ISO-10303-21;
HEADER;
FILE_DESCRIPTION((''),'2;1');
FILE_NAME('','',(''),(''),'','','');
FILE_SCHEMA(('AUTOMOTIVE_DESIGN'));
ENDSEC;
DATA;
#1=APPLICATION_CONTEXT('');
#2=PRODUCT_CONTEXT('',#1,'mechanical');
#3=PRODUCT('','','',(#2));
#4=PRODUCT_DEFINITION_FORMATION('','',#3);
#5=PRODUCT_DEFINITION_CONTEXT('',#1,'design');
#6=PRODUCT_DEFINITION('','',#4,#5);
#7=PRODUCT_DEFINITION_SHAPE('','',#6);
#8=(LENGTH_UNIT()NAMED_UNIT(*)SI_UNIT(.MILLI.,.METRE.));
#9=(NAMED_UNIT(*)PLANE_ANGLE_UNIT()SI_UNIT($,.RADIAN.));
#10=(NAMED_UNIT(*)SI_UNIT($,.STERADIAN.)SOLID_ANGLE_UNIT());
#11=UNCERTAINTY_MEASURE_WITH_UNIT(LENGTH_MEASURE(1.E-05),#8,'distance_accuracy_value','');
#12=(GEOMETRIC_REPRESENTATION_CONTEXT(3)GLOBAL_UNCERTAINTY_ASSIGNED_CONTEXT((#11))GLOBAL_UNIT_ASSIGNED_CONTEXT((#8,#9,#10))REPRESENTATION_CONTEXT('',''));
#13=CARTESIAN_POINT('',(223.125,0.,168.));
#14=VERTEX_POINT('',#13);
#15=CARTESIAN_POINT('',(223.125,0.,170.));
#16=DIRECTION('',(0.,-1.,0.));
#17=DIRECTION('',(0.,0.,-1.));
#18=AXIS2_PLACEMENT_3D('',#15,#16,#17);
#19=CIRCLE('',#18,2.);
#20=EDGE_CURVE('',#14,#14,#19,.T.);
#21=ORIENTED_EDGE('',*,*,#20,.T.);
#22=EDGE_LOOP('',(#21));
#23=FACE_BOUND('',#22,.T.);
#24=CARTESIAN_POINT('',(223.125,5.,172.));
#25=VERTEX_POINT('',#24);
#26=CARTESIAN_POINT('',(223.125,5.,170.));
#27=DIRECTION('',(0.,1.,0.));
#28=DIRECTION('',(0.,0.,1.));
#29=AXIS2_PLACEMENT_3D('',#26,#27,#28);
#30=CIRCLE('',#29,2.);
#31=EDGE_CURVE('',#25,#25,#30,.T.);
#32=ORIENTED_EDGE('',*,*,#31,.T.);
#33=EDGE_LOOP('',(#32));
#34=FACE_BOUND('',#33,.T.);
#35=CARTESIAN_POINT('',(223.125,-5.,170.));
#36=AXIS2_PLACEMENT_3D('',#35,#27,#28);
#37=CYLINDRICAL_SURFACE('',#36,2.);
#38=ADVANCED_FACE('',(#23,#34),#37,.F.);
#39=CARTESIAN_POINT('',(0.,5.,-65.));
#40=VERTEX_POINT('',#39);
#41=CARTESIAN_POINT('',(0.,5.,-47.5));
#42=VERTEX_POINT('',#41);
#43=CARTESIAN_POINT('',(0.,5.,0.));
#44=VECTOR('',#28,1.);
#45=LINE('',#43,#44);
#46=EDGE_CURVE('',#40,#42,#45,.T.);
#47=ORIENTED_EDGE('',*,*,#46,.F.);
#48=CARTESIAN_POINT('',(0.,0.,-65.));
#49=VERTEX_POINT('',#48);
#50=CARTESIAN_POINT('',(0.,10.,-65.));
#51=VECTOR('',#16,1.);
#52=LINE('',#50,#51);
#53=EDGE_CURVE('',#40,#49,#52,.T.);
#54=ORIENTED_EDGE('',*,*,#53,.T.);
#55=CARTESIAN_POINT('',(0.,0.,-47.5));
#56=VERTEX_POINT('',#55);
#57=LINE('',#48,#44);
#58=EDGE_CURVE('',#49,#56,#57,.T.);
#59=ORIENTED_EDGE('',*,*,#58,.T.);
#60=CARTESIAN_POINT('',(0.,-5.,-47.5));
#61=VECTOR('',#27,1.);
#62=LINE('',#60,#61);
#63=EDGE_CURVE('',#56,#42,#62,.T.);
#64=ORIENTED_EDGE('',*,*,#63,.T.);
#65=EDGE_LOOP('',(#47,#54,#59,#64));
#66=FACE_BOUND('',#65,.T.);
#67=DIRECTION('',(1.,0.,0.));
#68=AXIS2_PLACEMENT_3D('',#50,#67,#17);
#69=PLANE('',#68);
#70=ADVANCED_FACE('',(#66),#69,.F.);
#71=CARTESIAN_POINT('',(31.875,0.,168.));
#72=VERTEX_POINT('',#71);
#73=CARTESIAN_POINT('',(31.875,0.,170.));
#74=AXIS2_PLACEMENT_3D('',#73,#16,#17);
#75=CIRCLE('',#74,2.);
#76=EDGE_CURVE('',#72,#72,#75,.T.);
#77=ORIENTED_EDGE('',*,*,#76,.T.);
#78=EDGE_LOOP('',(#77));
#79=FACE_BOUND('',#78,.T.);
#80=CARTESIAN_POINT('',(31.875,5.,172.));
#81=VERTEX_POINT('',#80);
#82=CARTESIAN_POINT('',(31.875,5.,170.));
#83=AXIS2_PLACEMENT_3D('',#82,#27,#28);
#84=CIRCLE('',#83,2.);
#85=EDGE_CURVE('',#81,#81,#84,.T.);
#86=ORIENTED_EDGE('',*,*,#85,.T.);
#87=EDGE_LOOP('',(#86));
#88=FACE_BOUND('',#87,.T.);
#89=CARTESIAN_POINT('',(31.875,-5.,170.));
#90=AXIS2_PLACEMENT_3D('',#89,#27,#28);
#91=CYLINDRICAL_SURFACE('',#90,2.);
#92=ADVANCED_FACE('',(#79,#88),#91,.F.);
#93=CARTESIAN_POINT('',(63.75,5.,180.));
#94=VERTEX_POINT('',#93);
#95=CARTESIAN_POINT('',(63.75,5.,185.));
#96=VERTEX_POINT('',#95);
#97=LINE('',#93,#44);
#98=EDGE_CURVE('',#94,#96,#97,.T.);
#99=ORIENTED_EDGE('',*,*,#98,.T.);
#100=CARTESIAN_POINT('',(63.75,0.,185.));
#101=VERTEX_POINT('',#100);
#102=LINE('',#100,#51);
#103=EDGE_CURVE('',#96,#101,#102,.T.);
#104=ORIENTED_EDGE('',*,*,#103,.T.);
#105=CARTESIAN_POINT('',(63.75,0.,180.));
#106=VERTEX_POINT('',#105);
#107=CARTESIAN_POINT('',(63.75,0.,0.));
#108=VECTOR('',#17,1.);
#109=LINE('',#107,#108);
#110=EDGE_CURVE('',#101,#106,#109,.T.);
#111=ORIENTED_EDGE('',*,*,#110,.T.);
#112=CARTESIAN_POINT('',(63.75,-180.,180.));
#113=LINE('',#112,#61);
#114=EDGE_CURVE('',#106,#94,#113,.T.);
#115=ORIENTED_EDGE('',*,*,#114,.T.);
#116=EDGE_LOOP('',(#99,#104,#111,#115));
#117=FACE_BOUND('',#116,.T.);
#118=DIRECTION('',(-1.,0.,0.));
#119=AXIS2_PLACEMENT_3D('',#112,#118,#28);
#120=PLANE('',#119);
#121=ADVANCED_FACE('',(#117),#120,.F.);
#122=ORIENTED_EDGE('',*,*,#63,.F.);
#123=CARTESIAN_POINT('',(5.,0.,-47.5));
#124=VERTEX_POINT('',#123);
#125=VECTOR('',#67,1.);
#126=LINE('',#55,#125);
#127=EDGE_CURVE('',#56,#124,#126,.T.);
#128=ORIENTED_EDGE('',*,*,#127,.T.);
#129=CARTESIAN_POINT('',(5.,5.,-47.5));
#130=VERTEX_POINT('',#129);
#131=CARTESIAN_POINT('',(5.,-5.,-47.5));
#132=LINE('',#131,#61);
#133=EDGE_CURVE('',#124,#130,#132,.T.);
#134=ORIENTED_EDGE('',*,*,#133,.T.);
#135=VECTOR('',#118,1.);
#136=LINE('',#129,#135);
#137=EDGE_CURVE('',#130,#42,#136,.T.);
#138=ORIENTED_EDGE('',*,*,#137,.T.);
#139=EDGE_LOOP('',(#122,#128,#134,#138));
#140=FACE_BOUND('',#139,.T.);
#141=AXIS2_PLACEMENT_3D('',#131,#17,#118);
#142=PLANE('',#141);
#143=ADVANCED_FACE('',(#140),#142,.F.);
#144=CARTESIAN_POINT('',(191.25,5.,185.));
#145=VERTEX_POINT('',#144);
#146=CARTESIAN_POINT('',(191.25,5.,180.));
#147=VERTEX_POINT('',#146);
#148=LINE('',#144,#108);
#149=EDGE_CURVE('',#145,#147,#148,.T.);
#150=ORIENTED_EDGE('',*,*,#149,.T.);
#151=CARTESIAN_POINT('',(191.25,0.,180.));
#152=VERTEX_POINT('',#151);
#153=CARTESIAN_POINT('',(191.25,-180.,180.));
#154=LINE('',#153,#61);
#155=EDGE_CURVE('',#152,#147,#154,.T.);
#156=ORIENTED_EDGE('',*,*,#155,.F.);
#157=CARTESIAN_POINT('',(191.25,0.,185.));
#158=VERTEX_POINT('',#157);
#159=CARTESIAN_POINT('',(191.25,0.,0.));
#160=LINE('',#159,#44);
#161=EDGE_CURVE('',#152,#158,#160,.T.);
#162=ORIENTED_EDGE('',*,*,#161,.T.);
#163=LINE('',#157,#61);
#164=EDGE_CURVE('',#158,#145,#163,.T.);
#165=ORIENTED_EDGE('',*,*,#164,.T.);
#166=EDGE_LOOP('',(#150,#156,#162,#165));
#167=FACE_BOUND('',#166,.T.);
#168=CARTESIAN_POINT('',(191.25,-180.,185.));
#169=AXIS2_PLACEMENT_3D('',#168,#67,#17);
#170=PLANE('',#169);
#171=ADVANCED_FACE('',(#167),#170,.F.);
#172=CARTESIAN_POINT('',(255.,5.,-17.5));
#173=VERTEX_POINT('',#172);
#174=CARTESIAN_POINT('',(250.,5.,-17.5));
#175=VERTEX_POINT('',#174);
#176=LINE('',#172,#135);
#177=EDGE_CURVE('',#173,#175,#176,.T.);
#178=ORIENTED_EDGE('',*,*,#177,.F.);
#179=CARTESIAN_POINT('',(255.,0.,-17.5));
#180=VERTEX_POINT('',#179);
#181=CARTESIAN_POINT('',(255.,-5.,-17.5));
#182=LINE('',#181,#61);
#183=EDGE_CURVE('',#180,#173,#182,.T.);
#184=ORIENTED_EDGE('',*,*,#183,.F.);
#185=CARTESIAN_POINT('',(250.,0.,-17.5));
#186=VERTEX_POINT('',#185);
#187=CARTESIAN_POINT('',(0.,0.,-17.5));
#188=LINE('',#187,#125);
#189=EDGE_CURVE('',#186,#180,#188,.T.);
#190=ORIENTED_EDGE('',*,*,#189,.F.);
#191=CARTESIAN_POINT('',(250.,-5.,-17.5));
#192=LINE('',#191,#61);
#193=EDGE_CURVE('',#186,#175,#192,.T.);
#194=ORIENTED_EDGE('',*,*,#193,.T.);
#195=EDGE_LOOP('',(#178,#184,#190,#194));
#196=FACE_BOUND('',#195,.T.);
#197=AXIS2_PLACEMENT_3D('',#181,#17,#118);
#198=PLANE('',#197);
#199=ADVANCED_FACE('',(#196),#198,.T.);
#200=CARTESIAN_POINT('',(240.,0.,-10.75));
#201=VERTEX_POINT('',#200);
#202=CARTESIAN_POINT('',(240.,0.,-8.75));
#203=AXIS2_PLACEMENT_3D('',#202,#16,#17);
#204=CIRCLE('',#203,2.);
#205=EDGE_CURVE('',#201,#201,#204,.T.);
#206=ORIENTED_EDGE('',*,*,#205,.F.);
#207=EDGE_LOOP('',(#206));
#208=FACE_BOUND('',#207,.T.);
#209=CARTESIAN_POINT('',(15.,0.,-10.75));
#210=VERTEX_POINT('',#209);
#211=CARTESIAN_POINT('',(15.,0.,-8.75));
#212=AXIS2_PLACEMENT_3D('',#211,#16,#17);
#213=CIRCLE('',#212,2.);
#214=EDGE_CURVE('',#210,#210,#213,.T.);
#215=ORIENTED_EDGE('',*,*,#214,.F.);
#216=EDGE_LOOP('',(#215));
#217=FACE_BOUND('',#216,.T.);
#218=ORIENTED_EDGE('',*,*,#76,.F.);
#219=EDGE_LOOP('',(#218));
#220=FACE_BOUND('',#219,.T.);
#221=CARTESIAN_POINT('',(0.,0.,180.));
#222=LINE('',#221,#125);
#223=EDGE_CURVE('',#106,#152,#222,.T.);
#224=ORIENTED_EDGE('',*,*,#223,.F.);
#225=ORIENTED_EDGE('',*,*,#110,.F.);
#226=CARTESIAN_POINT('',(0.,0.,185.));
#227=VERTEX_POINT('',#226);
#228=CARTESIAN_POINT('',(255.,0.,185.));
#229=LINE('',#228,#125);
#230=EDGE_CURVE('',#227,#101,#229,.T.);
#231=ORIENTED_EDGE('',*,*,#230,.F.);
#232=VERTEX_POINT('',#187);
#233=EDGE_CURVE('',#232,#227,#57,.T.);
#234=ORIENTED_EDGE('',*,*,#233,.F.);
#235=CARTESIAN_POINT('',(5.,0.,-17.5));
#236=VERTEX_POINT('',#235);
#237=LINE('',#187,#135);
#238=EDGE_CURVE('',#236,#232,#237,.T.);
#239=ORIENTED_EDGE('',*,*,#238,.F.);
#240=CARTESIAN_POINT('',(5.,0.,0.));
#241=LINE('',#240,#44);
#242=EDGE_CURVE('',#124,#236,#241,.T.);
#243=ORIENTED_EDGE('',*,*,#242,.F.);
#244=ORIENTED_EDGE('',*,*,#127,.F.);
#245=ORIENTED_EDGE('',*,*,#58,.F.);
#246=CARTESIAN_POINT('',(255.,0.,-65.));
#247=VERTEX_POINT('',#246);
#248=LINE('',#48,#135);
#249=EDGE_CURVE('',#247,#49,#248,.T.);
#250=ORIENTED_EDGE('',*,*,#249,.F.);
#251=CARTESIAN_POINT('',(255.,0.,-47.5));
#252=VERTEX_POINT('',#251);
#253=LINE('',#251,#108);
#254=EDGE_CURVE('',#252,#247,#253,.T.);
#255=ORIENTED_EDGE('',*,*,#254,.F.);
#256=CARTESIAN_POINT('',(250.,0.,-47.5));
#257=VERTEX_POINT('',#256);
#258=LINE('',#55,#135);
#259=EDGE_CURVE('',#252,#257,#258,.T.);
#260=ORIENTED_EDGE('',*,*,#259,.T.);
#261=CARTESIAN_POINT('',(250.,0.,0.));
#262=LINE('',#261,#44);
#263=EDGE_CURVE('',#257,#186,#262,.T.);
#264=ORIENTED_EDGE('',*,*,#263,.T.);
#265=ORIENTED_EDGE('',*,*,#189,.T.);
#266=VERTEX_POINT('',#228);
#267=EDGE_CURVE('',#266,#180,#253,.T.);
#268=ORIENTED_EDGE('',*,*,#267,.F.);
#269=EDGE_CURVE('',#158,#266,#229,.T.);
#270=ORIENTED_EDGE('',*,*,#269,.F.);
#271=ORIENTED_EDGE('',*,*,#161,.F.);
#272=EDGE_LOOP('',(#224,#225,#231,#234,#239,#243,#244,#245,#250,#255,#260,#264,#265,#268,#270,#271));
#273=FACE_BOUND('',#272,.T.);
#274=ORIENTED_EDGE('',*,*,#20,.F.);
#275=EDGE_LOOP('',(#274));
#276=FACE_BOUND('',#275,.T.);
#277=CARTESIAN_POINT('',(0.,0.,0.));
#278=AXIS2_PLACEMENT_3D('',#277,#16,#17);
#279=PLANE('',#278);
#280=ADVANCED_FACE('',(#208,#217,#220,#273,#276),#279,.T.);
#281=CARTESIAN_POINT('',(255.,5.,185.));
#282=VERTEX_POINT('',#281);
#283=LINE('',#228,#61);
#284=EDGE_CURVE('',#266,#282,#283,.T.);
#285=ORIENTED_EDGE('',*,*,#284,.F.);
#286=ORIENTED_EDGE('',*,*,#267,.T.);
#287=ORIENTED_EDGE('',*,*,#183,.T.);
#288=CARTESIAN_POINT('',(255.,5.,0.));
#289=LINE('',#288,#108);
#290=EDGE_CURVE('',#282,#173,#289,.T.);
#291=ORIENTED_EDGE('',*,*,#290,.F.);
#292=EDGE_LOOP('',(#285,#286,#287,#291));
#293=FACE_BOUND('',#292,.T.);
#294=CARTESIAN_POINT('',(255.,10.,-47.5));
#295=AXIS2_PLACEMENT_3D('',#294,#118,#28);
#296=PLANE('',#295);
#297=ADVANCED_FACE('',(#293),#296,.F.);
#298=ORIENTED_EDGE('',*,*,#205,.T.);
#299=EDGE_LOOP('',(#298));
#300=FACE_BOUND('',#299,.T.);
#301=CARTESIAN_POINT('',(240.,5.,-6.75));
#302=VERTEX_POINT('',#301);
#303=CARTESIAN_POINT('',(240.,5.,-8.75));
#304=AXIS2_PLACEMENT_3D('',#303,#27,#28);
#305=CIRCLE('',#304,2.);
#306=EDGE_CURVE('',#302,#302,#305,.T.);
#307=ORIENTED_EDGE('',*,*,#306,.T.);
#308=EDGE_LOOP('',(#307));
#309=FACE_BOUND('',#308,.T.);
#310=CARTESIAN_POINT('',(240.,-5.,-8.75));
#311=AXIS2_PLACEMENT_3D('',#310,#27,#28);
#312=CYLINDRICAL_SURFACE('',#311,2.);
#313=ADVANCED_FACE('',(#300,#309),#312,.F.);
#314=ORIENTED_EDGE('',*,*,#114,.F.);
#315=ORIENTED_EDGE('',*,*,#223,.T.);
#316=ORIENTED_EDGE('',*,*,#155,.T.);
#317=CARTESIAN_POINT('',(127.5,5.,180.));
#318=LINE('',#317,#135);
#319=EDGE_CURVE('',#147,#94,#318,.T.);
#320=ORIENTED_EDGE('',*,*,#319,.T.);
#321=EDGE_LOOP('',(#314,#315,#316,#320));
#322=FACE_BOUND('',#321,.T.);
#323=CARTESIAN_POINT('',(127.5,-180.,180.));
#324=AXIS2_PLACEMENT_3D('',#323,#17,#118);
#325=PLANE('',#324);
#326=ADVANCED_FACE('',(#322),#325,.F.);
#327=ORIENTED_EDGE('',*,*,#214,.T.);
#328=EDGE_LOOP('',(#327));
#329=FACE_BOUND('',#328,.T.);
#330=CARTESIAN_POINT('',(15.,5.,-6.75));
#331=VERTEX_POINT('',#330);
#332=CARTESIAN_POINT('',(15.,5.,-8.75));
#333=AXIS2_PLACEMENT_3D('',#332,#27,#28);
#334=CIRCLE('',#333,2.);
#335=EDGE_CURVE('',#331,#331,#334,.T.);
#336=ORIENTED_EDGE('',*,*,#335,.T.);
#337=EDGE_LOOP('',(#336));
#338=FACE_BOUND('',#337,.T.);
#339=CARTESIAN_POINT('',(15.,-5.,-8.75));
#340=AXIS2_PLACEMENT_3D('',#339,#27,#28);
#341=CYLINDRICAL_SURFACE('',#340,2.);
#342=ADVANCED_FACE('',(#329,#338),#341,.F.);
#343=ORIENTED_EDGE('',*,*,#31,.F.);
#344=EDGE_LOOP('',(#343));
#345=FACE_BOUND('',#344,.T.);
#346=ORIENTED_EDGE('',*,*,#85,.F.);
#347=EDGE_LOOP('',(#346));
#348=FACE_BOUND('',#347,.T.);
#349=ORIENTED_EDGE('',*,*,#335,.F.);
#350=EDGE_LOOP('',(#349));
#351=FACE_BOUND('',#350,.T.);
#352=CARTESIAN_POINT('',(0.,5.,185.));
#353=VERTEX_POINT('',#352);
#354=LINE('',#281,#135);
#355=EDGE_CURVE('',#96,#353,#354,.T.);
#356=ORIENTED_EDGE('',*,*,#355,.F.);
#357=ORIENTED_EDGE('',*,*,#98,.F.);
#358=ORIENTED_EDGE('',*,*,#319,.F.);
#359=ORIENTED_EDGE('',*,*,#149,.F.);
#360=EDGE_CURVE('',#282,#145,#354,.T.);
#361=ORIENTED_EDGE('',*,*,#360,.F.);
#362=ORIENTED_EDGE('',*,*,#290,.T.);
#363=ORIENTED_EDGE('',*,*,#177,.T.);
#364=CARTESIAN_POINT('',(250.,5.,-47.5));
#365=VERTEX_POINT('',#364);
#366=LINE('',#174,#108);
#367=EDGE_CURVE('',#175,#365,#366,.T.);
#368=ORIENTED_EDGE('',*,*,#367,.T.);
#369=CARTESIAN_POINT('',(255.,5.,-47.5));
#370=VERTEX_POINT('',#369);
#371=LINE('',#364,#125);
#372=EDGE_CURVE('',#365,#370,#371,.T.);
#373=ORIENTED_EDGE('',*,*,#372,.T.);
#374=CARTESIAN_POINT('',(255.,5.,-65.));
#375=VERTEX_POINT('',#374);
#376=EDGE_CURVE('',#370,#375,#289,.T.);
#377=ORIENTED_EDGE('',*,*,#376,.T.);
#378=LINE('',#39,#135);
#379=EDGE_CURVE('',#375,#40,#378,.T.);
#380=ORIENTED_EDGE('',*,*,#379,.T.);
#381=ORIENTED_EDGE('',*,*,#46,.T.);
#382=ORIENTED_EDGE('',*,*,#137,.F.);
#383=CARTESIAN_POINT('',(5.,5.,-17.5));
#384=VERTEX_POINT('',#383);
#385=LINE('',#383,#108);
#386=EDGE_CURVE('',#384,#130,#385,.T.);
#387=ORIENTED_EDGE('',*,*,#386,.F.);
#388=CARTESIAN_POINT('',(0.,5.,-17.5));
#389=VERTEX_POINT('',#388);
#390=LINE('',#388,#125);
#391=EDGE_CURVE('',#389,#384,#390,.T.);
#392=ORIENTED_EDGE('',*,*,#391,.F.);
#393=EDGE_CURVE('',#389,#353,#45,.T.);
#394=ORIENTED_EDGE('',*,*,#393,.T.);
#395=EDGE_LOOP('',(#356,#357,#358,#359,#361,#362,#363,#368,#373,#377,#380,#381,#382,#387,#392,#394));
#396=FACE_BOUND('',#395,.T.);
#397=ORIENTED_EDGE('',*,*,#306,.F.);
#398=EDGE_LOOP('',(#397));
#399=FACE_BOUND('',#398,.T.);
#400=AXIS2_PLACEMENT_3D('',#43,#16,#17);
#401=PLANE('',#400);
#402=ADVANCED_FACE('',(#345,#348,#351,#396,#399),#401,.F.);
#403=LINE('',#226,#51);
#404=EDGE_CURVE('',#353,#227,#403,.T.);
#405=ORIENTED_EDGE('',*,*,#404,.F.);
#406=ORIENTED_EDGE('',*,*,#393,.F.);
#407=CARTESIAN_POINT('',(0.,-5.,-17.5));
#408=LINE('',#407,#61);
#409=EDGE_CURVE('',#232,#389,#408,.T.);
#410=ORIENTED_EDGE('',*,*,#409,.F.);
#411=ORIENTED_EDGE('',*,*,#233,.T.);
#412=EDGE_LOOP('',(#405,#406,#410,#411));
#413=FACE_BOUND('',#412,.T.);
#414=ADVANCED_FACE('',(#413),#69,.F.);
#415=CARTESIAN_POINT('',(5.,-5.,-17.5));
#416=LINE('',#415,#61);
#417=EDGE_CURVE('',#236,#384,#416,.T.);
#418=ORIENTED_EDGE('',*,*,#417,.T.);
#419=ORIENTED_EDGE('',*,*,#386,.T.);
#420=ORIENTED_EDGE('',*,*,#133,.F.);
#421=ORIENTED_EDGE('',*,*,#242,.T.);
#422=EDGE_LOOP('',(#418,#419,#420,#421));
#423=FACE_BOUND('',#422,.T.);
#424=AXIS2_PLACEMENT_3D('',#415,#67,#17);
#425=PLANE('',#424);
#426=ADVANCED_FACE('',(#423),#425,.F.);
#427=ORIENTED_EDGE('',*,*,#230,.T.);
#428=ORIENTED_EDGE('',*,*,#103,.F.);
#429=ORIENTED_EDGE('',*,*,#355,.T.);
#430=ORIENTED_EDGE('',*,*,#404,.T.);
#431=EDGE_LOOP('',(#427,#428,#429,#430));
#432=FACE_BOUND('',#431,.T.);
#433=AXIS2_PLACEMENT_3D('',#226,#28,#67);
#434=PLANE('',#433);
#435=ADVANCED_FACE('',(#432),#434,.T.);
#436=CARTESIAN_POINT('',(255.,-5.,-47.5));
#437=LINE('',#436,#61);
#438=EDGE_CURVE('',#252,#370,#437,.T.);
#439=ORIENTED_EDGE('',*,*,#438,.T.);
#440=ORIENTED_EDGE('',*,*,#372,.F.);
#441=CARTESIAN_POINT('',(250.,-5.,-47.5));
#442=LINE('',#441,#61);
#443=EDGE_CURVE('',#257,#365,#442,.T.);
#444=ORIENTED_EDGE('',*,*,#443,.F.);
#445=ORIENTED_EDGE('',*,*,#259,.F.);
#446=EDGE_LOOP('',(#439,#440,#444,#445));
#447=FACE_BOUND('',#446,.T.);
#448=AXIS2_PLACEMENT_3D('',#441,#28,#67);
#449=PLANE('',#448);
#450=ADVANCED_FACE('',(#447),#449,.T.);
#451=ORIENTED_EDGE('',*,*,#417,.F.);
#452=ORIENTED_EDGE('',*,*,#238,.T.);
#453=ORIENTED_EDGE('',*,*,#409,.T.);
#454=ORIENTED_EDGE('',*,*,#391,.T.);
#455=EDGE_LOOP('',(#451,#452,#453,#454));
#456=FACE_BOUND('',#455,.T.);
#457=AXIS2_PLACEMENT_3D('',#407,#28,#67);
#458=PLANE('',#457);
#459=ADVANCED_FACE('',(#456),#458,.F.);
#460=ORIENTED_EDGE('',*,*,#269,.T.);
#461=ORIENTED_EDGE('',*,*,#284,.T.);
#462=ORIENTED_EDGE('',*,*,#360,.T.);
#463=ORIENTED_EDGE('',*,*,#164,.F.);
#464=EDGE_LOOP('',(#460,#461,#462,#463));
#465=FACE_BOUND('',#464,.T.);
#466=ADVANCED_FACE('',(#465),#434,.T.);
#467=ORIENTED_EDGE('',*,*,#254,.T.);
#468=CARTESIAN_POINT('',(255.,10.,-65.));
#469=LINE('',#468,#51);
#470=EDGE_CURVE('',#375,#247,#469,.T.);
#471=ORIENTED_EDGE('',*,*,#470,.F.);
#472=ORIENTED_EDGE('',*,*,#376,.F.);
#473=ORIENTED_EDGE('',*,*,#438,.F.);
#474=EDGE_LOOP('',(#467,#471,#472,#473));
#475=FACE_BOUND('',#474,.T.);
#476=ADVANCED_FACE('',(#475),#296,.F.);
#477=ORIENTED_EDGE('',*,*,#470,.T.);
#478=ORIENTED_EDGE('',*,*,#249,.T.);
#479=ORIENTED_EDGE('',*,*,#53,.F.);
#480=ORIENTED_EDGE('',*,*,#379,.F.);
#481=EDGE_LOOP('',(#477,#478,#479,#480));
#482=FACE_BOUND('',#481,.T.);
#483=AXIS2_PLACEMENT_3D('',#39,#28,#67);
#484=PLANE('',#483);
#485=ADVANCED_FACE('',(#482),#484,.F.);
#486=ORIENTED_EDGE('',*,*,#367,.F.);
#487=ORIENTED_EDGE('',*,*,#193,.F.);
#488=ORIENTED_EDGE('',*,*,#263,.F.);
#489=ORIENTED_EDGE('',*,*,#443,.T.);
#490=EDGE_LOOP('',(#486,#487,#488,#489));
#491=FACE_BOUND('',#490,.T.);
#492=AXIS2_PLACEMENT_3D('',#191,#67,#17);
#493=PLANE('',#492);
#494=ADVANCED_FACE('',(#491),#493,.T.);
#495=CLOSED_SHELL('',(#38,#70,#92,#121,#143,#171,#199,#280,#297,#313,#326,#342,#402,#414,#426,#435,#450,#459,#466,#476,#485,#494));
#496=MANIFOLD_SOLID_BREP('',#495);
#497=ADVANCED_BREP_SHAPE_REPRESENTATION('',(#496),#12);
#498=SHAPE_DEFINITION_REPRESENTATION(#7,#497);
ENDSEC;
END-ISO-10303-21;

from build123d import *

# Parameters (mm, degrees)
SKETCH2_W           = 255
SKETCH2_H           = 65
BOSS_EXTRUDE1_DEPTH = 5
SKETCH3_W           = 6
SKETCH3_H           = 65
BOSS_EXTRUDE2_DEPTH = 5
SKETCH3_3_W         = 5
SKETCH3_3_H         = 30
CUT_EXTRUDE1_DEPTH  = 10
SKETCH4_W           = 6
SKETCH4_H           = 65
CUT_EXTRUDE2_DEPTH  = 10
SKETCH6_W           = 255
SKETCH6_H           = 5
BOSS_EXTRUDE3_DEPTH = 185
CUT_EXTRUDE3_DEPTH  = 185
SKETCH9_R           = 1.5
CUT_EXTRUDE4_DEPTH  = 185
SKETCH10_R          = 1.5
CUT_EXTRUDE5_DEPTH  = 185
SKETCH11_R          = 2
CUT_EXTRUDE6_DEPTH  = 10


with BuildPart() as part:
    # Sketch2 → Boss-Extrude1 (new body)
    with BuildSketch(Plane(origin=(0, 0, 0), x_dir=(1, 0, 0), z_dir=(0, 1, 0))):
        with Locations((127.5, 32.5)):
            Rectangle(SKETCH2_W, SKETCH2_H)
    extrude(amount=BOSS_EXTRUDE1_DEPTH)

    # Sketch3 → Boss-Extrude2 (add)
    with BuildSketch(Plane(origin=(0, 5, 0), x_dir=(1, 0, 0), z_dir=(0, 1, 0))):
        Polygon((261, 65), (255, 65), (255, 47.5), (255, 17.5), (255, 0), (261, 0), align=None)
        with Locations((-3, 32.5)):
            Rectangle(SKETCH3_W, SKETCH3_H)
    extrude(amount=-BOSS_EXTRUDE2_DEPTH)

    # Sketch3<3> → Cut-Extrude1 (cut)
    with BuildSketch(Plane(origin=(0, 5, 0), x_dir=(1, 0, 0), z_dir=(0, 1, 0))):
        with Locations((252.5, 32.5)):
            Rectangle(SKETCH3_3_W, SKETCH3_3_H)
        with Locations((2.5, 32.5)):
            Rectangle(SKETCH3_3_W, SKETCH3_3_H)
    extrude(amount=-CUT_EXTRUDE1_DEPTH, mode=Mode.SUBTRACT)

    # Sketch4 → Cut-Extrude2 (cut)
    with BuildSketch(Plane.XZ):
        Polygon((255, -47.5), (255, -65), (261, -65), (261, 0), (255, 0), align=None)
        with Locations((-3, -32.5)):
            Rectangle(SKETCH4_W, SKETCH4_H)
    extrude(amount=-CUT_EXTRUDE2_DEPTH, mode=Mode.SUBTRACT)

    # Sketch6 → Boss-Extrude3 (add)
    with BuildSketch(Plane.XY):
        with Locations((127.5, 2.5)):
            Rectangle(SKETCH6_W, SKETCH6_H)
    extrude(amount=BOSS_EXTRUDE3_DEPTH)

    # Sketch8 → Cut-Extrude3 (cut)
    with BuildSketch(Plane(origin=(0, 5, 0), x_dir=(1, 0, 0), z_dir=(0, 1, 0))):
        Polygon((127.5, -185), (191.25, -185), (191.25, -180), (127.5, -180), (63.75, -180), (63.75, -185), align=None)
    extrude(amount=-CUT_EXTRUDE3_DEPTH, mode=Mode.SUBTRACT)

    # Sketch9 → Cut-Extrude4 (cut)
    with BuildSketch(Plane(origin=(0, 5, 0), x_dir=(1, 0, 0), z_dir=(0, 1, 0))):
        with Locations((223.125, -170)):
            Circle(SKETCH9_R)
        with Locations((31.875, -170)):
            Circle(SKETCH9_R)
    extrude(amount=-CUT_EXTRUDE4_DEPTH, mode=Mode.SUBTRACT)

    # Sketch10 → Cut-Extrude5 (cut)
    with BuildSketch(Plane(origin=(0, 5, 0), x_dir=(1, 0, 0), z_dir=(0, 1, 0))):
        with Locations((240, 8.75)):
            Circle(SKETCH10_R)
        with Locations((15, 8.75)):
            Circle(SKETCH10_R)
    extrude(amount=-CUT_EXTRUDE5_DEPTH, mode=Mode.SUBTRACT)

    # Sketch11 → Cut-Extrude6 (cut)
    with BuildSketch(Plane(origin=(0, 5, 0), x_dir=(1, 0, 0), z_dir=(0, 1, 0))):
        with Locations((240, 8.75)):
            Circle(SKETCH11_R)
        with Locations((15, 8.75)):
            Circle(SKETCH11_R)
        with Locations((31.875, -170)):
            Circle(SKETCH11_R)
        with Locations((223.125, -170)):
            Circle(SKETCH11_R)
    extrude(amount=-CUT_EXTRUDE6_DEPTH, mode=Mode.SUBTRACT)


solid = part.part
